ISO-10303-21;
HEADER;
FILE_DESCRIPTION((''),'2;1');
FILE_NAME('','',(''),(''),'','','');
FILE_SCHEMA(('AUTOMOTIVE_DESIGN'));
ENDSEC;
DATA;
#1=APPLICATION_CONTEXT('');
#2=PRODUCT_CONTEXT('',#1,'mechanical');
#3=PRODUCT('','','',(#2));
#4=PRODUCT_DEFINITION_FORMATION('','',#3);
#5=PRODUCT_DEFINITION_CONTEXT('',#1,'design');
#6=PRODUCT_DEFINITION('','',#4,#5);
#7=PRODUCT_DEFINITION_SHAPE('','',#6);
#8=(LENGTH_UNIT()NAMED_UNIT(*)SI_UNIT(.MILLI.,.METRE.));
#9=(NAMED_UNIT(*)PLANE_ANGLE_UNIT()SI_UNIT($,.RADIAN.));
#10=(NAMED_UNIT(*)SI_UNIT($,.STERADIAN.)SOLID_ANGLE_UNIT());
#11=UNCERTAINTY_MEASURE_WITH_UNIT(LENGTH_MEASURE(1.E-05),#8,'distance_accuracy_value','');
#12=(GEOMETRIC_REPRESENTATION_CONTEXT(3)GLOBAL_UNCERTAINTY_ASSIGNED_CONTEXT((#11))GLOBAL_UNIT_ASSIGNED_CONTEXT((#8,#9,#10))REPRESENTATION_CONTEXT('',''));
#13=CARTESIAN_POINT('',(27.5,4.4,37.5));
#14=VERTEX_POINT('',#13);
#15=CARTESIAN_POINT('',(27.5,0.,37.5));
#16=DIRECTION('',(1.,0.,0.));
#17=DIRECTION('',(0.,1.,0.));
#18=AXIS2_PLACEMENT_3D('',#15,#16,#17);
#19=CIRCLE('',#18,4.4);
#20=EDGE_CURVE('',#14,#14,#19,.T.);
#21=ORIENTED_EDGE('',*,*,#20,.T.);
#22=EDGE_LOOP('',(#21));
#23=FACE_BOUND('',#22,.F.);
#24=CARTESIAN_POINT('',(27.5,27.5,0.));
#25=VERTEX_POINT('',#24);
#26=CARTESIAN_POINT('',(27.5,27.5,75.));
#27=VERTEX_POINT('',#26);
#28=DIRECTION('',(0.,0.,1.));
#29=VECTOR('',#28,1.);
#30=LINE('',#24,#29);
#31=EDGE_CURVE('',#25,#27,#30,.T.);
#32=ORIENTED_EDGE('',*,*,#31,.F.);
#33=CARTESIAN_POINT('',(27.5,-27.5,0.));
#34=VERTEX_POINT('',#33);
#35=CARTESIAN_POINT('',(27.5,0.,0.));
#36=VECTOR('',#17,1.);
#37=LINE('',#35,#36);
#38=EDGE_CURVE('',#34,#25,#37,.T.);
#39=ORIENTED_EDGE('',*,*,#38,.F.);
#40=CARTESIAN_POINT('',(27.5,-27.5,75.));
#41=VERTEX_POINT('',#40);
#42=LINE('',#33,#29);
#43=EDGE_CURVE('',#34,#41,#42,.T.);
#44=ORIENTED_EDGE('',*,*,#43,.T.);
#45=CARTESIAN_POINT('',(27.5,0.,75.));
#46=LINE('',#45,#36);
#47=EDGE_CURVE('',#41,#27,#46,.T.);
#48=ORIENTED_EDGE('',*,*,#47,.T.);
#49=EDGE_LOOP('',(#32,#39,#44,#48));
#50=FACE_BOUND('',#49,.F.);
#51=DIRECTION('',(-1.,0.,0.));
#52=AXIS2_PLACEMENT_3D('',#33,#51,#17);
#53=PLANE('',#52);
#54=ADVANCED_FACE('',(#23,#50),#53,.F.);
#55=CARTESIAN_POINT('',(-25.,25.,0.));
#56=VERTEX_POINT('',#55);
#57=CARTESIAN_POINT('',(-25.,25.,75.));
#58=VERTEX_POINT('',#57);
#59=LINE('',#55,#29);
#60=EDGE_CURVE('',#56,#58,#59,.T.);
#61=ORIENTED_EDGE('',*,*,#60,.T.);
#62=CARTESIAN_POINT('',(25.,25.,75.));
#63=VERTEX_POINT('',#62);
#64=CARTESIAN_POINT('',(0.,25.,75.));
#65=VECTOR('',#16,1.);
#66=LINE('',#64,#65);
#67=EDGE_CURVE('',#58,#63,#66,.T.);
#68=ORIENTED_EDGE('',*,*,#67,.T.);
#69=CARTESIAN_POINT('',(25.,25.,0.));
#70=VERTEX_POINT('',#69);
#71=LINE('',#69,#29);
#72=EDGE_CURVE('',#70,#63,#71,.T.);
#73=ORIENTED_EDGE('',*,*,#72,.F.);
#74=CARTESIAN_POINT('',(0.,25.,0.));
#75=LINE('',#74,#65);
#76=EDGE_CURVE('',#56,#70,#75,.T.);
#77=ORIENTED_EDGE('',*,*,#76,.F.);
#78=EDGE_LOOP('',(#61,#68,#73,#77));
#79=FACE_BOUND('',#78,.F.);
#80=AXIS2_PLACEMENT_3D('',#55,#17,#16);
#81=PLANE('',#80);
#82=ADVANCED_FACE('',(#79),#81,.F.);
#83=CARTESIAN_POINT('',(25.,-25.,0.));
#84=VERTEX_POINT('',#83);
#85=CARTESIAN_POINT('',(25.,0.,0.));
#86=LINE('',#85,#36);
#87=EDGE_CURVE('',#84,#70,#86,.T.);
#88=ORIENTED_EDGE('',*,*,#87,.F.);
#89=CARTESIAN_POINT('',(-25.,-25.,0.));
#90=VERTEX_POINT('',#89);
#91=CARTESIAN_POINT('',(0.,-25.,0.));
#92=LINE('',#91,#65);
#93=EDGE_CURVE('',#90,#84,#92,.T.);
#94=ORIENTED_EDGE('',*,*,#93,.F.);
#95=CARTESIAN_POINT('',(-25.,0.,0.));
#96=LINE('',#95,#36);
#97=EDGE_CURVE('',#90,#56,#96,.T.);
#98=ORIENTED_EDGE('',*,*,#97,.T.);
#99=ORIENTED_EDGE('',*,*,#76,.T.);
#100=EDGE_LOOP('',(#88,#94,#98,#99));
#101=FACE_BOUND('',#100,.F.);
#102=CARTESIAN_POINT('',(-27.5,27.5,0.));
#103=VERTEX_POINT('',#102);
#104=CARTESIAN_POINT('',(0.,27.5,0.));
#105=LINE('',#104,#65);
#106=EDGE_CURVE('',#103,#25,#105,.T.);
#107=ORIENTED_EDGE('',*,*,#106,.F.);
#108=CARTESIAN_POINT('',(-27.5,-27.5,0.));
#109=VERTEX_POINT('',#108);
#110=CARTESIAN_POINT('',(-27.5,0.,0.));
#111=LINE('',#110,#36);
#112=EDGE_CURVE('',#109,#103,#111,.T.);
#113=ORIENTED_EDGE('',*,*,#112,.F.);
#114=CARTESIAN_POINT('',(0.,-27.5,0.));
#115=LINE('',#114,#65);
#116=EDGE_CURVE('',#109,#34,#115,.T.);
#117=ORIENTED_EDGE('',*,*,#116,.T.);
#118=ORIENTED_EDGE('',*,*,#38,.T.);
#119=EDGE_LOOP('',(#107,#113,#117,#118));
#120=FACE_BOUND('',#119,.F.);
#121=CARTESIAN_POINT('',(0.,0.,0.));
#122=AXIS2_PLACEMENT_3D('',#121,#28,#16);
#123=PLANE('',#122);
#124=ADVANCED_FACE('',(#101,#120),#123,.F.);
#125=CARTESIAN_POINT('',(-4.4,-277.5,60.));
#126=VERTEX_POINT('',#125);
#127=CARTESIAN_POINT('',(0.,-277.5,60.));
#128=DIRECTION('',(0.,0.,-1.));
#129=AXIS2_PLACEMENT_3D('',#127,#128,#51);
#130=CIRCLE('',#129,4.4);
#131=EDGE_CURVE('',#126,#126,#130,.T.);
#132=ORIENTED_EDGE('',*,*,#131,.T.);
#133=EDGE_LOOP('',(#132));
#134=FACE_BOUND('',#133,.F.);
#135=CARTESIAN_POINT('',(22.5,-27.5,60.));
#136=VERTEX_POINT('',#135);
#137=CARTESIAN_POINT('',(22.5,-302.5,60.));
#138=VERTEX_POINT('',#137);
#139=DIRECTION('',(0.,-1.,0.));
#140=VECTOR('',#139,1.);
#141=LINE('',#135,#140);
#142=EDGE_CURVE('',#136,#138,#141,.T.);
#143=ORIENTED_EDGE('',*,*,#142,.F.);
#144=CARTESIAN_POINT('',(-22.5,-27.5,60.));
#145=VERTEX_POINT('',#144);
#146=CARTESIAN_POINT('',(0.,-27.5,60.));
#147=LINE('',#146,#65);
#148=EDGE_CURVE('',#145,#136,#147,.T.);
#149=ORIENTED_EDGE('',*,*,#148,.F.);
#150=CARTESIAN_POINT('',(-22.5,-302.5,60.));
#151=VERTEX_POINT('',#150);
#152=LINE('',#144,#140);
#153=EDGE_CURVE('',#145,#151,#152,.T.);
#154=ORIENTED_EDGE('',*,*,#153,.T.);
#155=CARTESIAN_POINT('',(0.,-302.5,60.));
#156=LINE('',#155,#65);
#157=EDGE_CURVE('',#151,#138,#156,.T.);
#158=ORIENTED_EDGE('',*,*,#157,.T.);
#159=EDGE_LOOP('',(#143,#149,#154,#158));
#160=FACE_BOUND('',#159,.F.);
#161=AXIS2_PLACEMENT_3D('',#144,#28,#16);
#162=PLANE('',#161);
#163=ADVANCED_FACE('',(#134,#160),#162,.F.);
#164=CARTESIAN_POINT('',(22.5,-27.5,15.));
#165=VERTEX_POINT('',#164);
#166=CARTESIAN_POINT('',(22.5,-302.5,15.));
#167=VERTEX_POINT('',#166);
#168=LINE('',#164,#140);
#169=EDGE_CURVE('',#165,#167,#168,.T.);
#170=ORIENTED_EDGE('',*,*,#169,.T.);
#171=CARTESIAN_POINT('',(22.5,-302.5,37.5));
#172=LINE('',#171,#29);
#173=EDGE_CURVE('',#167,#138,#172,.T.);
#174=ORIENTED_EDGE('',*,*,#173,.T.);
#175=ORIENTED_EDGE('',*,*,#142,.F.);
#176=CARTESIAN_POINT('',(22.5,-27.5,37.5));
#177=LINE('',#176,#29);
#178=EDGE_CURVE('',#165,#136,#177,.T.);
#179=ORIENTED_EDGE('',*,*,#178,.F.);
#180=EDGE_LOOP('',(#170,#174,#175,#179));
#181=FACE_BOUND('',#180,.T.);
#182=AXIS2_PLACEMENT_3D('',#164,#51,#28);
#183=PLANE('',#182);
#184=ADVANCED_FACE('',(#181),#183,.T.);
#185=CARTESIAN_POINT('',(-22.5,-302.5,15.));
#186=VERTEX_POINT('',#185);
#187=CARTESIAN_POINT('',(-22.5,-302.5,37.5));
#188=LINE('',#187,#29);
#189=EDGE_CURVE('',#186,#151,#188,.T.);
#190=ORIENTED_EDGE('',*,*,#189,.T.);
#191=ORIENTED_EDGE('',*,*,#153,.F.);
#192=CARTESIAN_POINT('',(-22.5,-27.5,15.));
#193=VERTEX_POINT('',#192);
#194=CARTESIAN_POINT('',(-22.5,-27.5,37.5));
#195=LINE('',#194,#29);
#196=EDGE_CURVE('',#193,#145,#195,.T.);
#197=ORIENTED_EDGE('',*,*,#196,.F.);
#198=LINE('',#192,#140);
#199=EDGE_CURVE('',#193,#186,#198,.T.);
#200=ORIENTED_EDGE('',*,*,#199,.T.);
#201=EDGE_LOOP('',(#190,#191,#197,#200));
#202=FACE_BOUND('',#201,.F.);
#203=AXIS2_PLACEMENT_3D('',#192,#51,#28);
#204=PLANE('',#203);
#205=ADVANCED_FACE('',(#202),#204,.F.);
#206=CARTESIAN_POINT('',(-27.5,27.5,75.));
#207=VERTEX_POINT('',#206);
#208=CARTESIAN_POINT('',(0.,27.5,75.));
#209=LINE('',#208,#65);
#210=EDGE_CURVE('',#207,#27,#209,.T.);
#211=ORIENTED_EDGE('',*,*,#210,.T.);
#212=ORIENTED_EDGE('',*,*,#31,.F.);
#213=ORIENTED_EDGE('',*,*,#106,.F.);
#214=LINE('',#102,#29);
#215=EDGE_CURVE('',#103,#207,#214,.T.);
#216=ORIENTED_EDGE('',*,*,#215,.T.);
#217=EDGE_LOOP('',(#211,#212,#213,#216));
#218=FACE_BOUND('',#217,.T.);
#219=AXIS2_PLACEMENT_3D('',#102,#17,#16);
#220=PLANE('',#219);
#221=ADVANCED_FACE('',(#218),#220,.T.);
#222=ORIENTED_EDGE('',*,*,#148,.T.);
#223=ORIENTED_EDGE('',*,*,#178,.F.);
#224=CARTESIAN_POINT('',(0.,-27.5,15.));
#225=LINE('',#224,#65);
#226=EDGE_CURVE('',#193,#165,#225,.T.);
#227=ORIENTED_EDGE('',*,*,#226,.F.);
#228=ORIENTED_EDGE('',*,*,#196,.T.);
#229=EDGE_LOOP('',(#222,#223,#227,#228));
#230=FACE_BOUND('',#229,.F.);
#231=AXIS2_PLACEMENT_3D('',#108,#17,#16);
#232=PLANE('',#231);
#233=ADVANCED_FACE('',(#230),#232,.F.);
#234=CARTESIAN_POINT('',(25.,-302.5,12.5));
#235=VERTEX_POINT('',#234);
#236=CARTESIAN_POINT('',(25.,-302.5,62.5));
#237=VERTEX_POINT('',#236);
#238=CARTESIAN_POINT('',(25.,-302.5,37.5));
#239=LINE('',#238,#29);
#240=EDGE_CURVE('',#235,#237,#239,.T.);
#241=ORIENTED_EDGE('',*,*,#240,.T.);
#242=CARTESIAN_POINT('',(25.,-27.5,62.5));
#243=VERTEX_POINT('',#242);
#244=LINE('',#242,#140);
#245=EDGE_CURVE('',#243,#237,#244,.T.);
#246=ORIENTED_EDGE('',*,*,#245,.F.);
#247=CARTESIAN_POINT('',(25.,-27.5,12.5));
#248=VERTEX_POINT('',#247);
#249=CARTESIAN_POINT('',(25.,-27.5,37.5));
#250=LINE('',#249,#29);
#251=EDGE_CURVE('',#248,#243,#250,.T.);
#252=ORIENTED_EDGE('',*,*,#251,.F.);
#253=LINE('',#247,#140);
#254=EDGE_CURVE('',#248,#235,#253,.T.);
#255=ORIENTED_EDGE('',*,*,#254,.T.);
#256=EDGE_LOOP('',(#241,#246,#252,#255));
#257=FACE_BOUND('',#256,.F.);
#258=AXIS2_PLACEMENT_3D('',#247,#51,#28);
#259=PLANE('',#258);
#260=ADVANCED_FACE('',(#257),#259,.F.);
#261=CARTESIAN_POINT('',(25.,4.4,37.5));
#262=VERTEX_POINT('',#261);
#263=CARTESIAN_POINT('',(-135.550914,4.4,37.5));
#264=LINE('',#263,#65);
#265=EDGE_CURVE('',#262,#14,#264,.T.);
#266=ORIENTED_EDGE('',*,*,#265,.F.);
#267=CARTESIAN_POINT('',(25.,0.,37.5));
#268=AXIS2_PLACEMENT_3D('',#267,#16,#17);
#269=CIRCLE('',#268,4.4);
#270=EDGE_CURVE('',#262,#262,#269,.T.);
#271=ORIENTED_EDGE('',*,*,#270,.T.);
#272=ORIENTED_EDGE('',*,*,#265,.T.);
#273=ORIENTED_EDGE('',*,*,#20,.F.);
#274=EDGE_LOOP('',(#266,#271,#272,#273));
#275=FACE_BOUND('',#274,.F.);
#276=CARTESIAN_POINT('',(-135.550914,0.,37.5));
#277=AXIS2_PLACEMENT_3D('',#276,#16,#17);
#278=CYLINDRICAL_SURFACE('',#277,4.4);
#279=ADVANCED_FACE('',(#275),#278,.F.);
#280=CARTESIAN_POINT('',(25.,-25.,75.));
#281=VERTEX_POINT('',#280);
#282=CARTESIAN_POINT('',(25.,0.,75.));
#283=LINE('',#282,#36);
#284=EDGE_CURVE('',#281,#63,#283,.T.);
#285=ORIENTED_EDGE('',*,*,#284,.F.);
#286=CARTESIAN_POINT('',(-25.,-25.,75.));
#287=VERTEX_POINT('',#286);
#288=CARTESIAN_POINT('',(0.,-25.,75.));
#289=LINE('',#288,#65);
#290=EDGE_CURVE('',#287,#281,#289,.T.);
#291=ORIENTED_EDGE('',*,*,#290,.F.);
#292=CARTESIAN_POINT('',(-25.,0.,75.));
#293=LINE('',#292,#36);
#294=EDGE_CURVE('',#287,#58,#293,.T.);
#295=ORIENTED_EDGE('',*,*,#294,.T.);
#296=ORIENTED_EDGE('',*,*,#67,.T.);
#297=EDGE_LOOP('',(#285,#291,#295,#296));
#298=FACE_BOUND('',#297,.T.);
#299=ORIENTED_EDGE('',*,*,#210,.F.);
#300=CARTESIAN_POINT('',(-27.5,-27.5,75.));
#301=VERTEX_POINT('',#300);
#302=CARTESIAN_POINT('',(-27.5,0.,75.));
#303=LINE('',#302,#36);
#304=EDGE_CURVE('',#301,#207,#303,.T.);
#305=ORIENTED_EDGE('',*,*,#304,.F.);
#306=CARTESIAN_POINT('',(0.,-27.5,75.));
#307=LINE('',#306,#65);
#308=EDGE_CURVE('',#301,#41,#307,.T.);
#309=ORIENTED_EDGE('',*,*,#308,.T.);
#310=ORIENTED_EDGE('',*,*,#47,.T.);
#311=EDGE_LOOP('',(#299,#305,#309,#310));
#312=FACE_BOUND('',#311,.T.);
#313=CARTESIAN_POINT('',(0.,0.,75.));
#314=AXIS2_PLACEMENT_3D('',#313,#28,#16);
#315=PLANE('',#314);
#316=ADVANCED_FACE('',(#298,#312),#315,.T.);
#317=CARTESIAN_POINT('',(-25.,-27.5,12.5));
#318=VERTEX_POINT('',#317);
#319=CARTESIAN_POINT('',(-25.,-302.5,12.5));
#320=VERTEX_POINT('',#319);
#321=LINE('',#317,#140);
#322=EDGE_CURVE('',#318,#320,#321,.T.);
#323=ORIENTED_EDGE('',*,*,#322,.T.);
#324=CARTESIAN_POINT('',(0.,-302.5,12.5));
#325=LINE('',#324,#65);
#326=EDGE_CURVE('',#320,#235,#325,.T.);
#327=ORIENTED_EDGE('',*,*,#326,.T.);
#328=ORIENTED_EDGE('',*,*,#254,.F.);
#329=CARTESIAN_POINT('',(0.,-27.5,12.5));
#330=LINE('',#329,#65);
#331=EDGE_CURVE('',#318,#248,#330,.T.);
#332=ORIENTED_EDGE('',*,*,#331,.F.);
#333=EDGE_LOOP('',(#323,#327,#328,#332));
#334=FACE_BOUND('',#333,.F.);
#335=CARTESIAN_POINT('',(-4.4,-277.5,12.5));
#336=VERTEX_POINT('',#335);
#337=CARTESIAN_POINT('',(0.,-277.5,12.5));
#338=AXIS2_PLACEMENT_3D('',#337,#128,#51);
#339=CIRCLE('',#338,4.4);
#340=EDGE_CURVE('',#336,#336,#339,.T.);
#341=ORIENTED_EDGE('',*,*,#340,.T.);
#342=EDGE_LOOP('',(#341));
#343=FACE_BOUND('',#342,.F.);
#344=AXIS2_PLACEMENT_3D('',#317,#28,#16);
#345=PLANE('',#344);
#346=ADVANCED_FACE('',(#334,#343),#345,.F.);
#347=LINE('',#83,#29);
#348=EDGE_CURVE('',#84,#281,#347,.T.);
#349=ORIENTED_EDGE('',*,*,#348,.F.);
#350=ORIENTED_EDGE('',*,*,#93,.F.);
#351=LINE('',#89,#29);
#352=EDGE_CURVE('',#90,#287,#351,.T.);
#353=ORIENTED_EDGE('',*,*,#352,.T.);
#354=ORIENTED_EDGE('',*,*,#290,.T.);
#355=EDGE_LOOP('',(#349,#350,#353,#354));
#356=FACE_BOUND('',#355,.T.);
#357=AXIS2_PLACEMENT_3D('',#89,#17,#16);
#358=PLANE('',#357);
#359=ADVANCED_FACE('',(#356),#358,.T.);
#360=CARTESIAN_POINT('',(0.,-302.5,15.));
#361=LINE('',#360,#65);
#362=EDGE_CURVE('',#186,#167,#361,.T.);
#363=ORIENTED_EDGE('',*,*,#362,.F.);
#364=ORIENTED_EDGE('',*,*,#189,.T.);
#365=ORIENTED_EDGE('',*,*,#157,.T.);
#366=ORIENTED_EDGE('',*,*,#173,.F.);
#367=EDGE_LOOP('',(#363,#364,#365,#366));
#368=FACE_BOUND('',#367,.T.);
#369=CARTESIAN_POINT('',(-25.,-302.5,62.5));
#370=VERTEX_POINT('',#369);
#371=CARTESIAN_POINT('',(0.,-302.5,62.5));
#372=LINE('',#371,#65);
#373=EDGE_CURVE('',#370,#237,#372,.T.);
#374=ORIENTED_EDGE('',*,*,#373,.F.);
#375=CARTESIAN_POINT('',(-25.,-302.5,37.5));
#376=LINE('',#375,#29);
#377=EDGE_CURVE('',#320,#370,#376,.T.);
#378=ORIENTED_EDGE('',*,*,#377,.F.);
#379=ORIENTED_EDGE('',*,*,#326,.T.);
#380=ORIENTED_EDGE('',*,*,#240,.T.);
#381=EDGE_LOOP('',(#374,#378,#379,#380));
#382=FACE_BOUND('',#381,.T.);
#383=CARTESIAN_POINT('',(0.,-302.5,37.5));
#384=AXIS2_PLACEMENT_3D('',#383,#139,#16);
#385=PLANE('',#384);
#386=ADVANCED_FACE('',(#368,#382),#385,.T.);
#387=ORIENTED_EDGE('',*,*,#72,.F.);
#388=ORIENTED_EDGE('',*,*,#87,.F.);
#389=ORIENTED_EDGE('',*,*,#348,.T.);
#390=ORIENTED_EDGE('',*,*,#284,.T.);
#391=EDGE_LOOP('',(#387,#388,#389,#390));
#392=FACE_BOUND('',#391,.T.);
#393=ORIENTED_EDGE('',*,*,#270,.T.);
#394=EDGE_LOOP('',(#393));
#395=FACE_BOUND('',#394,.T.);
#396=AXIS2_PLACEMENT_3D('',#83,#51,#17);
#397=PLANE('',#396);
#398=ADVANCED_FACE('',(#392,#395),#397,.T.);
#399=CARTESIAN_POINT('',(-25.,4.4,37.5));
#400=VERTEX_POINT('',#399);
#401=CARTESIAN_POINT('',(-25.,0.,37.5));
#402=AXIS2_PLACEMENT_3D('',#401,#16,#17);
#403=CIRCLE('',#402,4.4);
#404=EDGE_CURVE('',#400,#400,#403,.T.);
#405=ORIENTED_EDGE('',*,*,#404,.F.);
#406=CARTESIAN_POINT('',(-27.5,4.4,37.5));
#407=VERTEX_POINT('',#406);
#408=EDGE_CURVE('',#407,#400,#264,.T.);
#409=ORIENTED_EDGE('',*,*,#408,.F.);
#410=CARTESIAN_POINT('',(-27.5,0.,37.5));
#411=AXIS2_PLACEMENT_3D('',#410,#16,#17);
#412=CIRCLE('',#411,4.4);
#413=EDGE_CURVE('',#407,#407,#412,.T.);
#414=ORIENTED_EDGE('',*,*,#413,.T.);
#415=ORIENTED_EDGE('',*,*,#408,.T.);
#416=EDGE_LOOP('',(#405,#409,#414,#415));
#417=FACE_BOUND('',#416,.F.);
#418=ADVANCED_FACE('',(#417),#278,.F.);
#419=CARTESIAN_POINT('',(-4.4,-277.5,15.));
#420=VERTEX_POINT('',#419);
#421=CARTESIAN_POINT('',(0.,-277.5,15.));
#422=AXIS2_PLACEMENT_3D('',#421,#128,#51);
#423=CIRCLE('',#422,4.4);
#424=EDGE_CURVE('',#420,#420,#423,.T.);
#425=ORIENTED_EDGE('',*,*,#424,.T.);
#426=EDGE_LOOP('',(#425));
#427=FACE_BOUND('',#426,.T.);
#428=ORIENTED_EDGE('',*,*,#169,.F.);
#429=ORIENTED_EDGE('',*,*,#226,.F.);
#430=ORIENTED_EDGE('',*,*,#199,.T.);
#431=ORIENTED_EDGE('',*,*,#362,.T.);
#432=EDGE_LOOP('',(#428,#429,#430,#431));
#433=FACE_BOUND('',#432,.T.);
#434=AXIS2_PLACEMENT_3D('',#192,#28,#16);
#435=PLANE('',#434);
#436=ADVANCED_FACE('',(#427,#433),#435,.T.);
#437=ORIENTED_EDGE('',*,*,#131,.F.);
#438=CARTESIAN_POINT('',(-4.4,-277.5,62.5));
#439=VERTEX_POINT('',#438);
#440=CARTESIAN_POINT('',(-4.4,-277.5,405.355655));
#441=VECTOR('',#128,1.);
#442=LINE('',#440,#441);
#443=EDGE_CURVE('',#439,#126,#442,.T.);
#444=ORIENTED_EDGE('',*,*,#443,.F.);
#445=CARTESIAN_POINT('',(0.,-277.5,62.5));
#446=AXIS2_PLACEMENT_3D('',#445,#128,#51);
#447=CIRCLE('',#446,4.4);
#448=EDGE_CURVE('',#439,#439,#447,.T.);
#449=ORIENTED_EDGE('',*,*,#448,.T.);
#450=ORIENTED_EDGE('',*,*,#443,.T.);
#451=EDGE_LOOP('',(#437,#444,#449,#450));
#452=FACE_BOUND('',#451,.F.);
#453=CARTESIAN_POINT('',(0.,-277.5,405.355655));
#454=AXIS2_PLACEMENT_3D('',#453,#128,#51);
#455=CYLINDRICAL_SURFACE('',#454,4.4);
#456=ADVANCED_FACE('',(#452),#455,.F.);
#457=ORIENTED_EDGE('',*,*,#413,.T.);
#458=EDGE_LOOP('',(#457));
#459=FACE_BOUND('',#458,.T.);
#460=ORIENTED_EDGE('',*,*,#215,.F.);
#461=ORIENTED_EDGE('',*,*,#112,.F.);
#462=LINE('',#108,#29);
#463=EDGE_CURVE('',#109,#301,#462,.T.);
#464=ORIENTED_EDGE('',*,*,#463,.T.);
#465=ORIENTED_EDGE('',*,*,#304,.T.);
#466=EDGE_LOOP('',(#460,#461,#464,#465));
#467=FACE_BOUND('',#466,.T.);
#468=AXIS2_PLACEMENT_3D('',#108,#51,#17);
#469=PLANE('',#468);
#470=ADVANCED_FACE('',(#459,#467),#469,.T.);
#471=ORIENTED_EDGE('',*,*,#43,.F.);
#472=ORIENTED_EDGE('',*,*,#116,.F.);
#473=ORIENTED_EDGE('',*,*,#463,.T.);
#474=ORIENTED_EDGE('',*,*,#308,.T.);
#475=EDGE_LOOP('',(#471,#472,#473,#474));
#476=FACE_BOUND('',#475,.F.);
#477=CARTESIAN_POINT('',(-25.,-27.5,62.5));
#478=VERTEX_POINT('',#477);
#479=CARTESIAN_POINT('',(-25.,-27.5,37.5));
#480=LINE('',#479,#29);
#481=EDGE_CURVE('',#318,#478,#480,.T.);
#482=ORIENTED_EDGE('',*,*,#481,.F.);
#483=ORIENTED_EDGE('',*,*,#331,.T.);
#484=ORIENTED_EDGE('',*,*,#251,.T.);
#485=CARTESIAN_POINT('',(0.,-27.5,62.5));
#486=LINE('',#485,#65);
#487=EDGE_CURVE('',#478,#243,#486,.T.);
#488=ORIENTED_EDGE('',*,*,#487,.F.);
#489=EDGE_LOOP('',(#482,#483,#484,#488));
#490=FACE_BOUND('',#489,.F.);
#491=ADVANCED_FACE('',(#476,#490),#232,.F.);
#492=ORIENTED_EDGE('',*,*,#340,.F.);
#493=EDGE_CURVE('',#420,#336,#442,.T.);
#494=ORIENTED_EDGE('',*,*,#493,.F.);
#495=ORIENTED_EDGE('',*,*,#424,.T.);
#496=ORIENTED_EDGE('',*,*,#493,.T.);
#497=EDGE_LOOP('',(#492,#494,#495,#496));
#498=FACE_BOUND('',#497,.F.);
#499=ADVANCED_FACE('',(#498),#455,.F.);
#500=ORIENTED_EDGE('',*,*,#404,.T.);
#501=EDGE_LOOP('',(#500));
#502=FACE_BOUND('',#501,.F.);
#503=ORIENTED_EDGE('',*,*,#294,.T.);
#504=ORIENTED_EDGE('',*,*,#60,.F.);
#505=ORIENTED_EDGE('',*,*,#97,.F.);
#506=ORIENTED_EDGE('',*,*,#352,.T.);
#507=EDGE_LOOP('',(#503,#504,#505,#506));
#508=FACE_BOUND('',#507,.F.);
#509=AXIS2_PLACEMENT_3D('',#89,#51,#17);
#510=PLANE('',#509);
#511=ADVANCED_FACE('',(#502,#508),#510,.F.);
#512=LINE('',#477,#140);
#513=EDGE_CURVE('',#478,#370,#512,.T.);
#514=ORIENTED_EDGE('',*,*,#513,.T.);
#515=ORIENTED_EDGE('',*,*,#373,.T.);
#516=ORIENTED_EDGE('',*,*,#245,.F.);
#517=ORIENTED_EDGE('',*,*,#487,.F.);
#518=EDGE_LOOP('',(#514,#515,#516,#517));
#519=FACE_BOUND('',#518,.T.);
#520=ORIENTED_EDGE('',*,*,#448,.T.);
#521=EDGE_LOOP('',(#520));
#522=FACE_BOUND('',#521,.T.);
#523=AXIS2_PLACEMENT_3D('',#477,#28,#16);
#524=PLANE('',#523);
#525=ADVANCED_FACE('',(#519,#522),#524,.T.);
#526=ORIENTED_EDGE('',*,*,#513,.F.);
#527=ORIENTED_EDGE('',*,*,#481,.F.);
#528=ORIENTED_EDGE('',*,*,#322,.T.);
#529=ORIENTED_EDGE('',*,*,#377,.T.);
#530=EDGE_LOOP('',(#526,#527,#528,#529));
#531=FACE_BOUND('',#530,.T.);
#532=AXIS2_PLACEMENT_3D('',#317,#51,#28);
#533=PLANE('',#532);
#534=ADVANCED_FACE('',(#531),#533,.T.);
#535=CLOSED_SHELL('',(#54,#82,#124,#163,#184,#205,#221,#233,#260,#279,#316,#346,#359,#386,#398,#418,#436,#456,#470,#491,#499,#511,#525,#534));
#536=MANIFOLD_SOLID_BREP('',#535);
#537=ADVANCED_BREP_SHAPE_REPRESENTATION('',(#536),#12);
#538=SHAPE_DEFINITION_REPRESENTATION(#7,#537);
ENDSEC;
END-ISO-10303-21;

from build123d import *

# Parameters (mm, degrees)
F0_W     = 55
F0_H     = 55
F0_W_2   = 50
F0_H_2   = 50
F1_DEPTH = 75
F3_D     = 8.8
F4_W     = 50
F4_H     = 50
F4_W_2   = 45
F4_H_2   = 45
F5_DEPTH = 275
F7_D     = 8.8


with BuildPart() as f1:
    # F0 (on Top) → F1 (new body)
    with BuildSketch(Plane.XY):
        Rectangle(F0_W, F0_H)
        Rectangle(F0_W_2, F0_H_2, mode=Mode.SUBTRACT)
    extrude(amount=F1_DEPTH)

    # F3 (through all)
    with Locations(Plane(origin=(-27.5, 0, 0), x_dir=(0, -1, 0), z_dir=(-1, 0, 0))):
        with Locations((0, 37.5)):
            Hole(F3_D / 2)

    # F4 (on face) → F5 (join)
    with BuildSketch(Plane.XZ.offset(27.5)):
        with Locations((0, 37.5)):
            Rectangle(F4_W, F4_H)
        with Locations((0, 37.5)):
            Rectangle(F4_W_2, F4_H_2, mode=Mode.SUBTRACT)
    extrude(amount=F5_DEPTH)

    # F7 (through all)
    with Locations(Plane.XY.offset(62.5)):
        with Locations((0, -277.5)):
            Hole(F7_D / 2)


solid = f1.part
